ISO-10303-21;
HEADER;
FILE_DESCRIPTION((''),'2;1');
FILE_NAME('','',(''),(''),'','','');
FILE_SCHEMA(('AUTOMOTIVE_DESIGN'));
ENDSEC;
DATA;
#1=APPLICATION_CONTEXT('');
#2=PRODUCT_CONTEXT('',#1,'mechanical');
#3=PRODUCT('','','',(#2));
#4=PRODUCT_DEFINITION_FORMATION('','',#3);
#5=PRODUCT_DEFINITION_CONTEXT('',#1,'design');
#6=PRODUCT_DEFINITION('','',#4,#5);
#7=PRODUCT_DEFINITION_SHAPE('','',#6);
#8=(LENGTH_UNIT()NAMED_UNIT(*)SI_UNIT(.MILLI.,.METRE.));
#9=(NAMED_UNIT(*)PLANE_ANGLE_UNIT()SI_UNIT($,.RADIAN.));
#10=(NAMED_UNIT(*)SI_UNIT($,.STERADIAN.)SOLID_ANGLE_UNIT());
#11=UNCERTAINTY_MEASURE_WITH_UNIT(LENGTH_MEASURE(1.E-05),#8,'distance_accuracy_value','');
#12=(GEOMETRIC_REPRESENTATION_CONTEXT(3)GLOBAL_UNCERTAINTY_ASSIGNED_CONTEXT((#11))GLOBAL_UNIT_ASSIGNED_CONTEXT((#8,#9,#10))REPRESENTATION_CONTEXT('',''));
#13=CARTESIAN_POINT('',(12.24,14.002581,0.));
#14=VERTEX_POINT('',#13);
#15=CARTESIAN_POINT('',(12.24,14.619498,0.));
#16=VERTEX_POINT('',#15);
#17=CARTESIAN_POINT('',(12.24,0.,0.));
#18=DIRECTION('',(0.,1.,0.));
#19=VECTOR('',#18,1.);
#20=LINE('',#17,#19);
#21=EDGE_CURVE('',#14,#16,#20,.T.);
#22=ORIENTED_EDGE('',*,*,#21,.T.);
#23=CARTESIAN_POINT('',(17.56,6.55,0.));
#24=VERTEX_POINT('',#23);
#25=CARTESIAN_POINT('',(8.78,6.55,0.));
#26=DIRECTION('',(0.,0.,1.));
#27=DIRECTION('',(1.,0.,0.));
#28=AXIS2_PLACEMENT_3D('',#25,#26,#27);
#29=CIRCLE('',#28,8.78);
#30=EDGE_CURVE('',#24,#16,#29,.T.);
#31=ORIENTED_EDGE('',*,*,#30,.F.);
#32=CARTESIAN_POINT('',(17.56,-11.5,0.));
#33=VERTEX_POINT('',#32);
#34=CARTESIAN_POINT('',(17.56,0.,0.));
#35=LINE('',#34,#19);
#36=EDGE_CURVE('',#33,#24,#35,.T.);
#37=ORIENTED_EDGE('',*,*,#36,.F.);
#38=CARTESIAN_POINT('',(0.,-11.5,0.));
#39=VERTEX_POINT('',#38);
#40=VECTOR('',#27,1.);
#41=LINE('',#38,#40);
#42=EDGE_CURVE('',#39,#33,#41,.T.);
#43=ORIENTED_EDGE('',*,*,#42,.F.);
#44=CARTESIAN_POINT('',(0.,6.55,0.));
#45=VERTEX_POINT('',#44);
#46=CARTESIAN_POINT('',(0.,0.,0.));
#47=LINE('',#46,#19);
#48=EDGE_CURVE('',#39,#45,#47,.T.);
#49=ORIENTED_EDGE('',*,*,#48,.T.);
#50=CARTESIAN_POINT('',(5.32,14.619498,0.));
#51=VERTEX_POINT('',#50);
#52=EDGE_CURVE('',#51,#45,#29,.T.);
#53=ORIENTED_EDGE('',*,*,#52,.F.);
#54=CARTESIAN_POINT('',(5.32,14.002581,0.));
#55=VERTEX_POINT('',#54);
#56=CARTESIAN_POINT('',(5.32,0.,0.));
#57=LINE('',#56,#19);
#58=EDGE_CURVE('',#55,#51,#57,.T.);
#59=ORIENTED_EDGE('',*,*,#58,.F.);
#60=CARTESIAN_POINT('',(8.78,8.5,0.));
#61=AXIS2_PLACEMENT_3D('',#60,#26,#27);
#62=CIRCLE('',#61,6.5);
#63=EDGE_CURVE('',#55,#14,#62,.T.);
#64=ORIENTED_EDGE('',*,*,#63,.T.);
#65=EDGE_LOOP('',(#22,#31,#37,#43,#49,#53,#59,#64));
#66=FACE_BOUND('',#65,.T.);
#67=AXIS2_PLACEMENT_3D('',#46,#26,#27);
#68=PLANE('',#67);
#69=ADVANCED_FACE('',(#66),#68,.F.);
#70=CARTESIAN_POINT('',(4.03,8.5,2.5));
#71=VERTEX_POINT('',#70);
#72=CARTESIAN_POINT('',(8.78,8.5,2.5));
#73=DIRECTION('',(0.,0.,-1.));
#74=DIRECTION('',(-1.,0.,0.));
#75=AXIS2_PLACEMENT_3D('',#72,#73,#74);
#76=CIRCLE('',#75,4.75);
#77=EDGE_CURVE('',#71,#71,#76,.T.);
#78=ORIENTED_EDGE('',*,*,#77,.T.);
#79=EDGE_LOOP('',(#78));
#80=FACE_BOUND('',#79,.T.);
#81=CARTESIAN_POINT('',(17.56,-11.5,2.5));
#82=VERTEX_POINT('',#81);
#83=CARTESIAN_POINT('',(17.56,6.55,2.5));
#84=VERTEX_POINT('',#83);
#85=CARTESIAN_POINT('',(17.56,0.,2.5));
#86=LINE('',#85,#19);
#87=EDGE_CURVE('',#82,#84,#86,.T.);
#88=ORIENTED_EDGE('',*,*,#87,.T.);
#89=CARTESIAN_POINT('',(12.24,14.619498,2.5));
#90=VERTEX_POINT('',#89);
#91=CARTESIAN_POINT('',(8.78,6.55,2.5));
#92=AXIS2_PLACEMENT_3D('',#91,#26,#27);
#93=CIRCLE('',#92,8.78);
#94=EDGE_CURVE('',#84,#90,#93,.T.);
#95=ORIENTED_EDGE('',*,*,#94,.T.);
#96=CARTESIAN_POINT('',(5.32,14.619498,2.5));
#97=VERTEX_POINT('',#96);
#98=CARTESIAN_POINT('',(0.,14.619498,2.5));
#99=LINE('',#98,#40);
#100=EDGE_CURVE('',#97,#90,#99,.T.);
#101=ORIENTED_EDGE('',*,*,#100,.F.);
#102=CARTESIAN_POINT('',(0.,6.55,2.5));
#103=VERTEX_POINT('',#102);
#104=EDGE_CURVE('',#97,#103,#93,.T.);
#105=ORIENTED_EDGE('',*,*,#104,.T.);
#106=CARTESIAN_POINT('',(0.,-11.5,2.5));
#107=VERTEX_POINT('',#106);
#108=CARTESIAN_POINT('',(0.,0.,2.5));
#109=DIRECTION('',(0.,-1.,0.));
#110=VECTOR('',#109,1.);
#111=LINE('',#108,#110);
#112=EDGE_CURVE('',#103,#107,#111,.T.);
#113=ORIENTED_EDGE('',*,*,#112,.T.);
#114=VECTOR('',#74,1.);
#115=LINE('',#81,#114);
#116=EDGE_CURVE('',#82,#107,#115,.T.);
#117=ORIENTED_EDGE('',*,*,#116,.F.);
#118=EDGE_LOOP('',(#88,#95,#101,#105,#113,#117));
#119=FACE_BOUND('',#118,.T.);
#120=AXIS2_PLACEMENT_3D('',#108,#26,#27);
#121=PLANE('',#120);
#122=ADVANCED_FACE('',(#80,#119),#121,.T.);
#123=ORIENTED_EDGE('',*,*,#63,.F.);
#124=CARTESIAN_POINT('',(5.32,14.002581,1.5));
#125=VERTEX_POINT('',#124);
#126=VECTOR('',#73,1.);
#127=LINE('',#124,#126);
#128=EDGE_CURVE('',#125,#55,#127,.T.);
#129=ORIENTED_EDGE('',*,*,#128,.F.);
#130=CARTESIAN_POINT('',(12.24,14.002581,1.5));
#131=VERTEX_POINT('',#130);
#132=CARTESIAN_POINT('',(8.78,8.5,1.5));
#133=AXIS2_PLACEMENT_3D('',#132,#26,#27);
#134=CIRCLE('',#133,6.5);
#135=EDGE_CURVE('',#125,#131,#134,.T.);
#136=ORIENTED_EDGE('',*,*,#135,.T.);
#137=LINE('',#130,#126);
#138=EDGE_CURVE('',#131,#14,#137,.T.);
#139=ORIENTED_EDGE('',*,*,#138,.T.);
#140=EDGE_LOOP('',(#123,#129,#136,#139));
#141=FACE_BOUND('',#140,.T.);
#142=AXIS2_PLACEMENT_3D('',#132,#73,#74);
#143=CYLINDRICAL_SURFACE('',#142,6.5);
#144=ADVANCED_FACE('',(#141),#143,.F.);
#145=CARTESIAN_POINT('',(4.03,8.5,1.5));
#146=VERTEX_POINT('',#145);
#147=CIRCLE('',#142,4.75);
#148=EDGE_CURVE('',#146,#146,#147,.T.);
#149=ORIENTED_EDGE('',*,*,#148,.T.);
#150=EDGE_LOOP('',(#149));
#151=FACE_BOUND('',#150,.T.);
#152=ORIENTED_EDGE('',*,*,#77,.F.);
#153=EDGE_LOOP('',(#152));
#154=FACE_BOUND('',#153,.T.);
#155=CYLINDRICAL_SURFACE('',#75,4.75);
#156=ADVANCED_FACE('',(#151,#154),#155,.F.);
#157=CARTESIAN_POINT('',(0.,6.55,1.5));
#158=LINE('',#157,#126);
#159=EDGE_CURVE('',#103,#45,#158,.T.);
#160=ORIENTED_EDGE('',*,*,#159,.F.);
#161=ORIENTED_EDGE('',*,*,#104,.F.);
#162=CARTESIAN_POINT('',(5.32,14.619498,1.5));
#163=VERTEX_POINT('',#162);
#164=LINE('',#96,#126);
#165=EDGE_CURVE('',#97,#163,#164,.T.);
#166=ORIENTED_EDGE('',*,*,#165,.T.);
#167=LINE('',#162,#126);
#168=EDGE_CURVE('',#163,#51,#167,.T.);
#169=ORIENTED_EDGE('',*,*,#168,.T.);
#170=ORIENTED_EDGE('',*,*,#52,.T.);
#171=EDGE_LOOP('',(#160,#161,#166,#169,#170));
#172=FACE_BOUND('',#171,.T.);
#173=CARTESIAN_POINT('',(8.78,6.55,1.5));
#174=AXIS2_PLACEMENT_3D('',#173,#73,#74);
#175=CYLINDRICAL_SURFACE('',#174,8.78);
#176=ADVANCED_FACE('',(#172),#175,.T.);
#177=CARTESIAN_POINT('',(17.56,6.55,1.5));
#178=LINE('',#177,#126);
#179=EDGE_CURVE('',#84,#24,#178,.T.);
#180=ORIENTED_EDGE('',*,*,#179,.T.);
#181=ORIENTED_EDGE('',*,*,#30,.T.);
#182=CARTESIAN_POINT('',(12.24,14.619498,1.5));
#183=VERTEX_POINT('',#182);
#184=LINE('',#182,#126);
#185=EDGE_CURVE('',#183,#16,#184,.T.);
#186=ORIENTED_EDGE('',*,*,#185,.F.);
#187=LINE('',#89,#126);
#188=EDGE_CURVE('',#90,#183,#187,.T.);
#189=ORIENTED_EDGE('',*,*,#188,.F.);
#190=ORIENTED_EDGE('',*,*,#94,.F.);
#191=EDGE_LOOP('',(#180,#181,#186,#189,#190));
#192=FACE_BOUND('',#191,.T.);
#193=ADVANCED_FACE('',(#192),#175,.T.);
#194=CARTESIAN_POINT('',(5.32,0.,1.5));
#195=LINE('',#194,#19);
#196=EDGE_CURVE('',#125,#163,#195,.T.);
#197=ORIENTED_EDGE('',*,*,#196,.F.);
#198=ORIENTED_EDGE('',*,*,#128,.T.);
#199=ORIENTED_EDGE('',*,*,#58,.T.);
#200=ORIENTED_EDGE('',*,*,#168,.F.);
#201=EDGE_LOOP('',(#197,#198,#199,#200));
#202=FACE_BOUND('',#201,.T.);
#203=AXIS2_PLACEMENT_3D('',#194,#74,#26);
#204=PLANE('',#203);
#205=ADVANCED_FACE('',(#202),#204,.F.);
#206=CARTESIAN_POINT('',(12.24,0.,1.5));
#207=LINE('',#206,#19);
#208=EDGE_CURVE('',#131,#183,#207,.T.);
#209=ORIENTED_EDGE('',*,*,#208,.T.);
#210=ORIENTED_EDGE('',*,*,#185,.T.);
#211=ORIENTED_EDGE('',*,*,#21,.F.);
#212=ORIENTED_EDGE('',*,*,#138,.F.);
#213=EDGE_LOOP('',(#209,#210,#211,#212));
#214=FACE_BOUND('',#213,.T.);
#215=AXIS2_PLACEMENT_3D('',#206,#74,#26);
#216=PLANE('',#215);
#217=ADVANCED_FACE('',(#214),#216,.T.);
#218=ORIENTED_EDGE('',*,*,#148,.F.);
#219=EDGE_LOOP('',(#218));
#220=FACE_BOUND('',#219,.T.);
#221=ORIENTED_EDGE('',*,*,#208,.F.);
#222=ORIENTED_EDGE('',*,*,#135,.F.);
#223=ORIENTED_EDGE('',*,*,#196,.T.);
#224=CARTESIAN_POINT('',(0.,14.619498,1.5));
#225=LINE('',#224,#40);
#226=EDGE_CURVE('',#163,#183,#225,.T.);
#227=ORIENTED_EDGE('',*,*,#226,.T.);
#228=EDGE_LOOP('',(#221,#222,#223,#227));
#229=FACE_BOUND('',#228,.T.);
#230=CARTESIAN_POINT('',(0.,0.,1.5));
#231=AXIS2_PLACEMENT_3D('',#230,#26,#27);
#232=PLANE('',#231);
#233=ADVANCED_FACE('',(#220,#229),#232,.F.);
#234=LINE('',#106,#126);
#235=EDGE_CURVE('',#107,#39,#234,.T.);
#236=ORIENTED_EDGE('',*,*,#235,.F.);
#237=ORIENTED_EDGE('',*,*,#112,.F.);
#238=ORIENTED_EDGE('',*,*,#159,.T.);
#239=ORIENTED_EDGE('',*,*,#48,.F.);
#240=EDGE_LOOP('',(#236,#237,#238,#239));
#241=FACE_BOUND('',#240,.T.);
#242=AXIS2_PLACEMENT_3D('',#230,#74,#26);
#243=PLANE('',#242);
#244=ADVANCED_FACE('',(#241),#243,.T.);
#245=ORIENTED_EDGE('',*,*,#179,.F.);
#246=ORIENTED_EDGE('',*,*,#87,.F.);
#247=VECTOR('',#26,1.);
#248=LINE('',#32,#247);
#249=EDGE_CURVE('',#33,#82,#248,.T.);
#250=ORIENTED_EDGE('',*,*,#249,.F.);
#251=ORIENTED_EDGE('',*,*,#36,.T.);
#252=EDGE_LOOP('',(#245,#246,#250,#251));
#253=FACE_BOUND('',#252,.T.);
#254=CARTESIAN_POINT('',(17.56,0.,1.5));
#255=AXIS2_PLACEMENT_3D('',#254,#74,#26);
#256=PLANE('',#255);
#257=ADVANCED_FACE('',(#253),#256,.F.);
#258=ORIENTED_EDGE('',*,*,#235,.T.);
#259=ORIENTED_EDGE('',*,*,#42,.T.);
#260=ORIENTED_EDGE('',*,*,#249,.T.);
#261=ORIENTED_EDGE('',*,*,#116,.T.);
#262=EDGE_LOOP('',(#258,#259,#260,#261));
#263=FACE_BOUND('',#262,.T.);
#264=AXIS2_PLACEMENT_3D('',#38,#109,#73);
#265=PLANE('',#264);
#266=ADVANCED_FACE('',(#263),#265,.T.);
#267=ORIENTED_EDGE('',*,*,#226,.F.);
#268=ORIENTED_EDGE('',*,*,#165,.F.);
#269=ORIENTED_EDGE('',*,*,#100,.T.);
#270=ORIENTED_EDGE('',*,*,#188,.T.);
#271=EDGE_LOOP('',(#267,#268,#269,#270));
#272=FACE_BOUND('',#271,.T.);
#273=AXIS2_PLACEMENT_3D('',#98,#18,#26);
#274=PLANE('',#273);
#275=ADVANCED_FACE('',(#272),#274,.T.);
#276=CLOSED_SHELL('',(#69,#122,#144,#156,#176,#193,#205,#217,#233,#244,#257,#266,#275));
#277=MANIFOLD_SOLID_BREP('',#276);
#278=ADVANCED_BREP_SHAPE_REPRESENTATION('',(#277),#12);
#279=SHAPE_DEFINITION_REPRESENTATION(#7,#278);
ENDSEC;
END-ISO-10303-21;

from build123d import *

# Parameters (mm, degrees)
BOSS_EXTRUDE1_DEPTH = 1.5
BOSS_EXTRUDE2_DEPTH = 1
SKETCH4_R           = 4.75
CUT_EXTRUDE1_DEPTH  = 23.898325822
SKETCH5_W           = 17.56
SKETCH5_H           = 2.5
BOSS_EXTRUDE3_DEPTH = 0.15
SKETCH6_W           = 17.56
SKETCH6_H           = 2.5
BOSS_EXTRUDE4_DEPTH = 11.35


with BuildPart() as part:
    # Sketch1 → Boss-Extrude1 (new body)
    with BuildSketch(Plane.XY):
        with BuildLine():
            ThreePointArc((14.980604809, 6.55), (8.78, 2), (2.579395191, 6.55))
            Line((2.579395191, 6.55), (0, 6.55))
            Line((0, 6.55), (0, 0))
            Line((0, 0), (17.56, 0))
            Line((17.56, 0), (17.56, 6.55))
            Line((17.56, 6.55), (14.980604809, 6.55))
        make_face()
        with BuildLine():
            ThreePointArc((2.579395191, 6.55), (2.679421093, 10.743420825), (5.32, 14.002581212))
            Line((5.32, 14.002581212), (5.32, 14.619498126))
            ThreePointArc((5.32, 14.619498126), (1.449679407, 11.382680416), (0, 6.55))
            Line((0, 6.55), (2.579395191, 6.55))
        make_face()
        with BuildLine():
            ThreePointArc((12.24, 14.002581212), (14.880578907, 10.743420825), (14.980604809, 6.55))
            Line((14.980604809, 6.55), (17.56, 6.55))
            ThreePointArc((17.56, 6.55), (16.110320593, 11.382680416), (12.24, 14.619498126))
            Line((12.24, 14.619498126), (12.24, 14.002581212))
        make_face()
    extrude(amount=BOSS_EXTRUDE1_DEPTH)

    # Sketch3 → Boss-Extrude2 (add)
    with BuildSketch(Plane.XY.offset(1.5)):
        with BuildLine():
            Line((12.24, 14.619498126), (12.24, 14.002581212))
            ThreePointArc((12.24, 14.002581212), (8.78, 2), (5.32, 14.002581212))
            Line((5.32, 14.002581212), (5.32, 14.619498126))
            ThreePointArc((5.32, 14.619498126), (1.449679407, 11.382680416), (0, 6.55))
            Line((0, 6.55), (0, 0))
            Line((0, 0), (17.56, 0))
            Line((17.56, 0), (17.56, 6.55))
            ThreePointArc((17.56, 6.55), (16.110320593, 11.382680416), (12.24, 14.619498126))
        make_face()
        with BuildLine():
            Line((5.32, 14.619498126), (12.24, 14.619498126))
            Line((12.24, 14.619498126), (12.24, 14.002581212))
            ThreePointArc((12.24, 14.002581212), (8.78, 2), (5.32, 14.002581212))
            Line((5.32, 14.002581212), (5.32, 14.619498126))
        make_face()
    extrude(amount=BOSS_EXTRUDE2_DEPTH)

    # Sketch4 → Cut-Extrude1 (cut, through all)
    with BuildSketch(Plane(origin=(0, 0, 1.5), x_dir=(-1, 0, 0), z_dir=(0, 0, -1))):
        with Locations((-8.78, 8.5)):
            Circle(SKETCH4_R)
    extrude(amount=-CUT_EXTRUDE1_DEPTH, mode=Mode.SUBTRACT)

    # Sketch5 → Boss-Extrude3 (add)
    with BuildSketch(Plane.XZ):
        with Locations((8.78, 1.25)):
            Rectangle(SKETCH5_W, SKETCH5_H)
    extrude(amount=BOSS_EXTRUDE3_DEPTH)

    # Sketch6 → Boss-Extrude4 (add)
    with BuildSketch(Plane.XZ.offset(0.15)):
        with Locations((8.78, 1.25)):
            Rectangle(SKETCH6_W, SKETCH6_H)
    extrude(amount=BOSS_EXTRUDE4_DEPTH)


solid = part.part
